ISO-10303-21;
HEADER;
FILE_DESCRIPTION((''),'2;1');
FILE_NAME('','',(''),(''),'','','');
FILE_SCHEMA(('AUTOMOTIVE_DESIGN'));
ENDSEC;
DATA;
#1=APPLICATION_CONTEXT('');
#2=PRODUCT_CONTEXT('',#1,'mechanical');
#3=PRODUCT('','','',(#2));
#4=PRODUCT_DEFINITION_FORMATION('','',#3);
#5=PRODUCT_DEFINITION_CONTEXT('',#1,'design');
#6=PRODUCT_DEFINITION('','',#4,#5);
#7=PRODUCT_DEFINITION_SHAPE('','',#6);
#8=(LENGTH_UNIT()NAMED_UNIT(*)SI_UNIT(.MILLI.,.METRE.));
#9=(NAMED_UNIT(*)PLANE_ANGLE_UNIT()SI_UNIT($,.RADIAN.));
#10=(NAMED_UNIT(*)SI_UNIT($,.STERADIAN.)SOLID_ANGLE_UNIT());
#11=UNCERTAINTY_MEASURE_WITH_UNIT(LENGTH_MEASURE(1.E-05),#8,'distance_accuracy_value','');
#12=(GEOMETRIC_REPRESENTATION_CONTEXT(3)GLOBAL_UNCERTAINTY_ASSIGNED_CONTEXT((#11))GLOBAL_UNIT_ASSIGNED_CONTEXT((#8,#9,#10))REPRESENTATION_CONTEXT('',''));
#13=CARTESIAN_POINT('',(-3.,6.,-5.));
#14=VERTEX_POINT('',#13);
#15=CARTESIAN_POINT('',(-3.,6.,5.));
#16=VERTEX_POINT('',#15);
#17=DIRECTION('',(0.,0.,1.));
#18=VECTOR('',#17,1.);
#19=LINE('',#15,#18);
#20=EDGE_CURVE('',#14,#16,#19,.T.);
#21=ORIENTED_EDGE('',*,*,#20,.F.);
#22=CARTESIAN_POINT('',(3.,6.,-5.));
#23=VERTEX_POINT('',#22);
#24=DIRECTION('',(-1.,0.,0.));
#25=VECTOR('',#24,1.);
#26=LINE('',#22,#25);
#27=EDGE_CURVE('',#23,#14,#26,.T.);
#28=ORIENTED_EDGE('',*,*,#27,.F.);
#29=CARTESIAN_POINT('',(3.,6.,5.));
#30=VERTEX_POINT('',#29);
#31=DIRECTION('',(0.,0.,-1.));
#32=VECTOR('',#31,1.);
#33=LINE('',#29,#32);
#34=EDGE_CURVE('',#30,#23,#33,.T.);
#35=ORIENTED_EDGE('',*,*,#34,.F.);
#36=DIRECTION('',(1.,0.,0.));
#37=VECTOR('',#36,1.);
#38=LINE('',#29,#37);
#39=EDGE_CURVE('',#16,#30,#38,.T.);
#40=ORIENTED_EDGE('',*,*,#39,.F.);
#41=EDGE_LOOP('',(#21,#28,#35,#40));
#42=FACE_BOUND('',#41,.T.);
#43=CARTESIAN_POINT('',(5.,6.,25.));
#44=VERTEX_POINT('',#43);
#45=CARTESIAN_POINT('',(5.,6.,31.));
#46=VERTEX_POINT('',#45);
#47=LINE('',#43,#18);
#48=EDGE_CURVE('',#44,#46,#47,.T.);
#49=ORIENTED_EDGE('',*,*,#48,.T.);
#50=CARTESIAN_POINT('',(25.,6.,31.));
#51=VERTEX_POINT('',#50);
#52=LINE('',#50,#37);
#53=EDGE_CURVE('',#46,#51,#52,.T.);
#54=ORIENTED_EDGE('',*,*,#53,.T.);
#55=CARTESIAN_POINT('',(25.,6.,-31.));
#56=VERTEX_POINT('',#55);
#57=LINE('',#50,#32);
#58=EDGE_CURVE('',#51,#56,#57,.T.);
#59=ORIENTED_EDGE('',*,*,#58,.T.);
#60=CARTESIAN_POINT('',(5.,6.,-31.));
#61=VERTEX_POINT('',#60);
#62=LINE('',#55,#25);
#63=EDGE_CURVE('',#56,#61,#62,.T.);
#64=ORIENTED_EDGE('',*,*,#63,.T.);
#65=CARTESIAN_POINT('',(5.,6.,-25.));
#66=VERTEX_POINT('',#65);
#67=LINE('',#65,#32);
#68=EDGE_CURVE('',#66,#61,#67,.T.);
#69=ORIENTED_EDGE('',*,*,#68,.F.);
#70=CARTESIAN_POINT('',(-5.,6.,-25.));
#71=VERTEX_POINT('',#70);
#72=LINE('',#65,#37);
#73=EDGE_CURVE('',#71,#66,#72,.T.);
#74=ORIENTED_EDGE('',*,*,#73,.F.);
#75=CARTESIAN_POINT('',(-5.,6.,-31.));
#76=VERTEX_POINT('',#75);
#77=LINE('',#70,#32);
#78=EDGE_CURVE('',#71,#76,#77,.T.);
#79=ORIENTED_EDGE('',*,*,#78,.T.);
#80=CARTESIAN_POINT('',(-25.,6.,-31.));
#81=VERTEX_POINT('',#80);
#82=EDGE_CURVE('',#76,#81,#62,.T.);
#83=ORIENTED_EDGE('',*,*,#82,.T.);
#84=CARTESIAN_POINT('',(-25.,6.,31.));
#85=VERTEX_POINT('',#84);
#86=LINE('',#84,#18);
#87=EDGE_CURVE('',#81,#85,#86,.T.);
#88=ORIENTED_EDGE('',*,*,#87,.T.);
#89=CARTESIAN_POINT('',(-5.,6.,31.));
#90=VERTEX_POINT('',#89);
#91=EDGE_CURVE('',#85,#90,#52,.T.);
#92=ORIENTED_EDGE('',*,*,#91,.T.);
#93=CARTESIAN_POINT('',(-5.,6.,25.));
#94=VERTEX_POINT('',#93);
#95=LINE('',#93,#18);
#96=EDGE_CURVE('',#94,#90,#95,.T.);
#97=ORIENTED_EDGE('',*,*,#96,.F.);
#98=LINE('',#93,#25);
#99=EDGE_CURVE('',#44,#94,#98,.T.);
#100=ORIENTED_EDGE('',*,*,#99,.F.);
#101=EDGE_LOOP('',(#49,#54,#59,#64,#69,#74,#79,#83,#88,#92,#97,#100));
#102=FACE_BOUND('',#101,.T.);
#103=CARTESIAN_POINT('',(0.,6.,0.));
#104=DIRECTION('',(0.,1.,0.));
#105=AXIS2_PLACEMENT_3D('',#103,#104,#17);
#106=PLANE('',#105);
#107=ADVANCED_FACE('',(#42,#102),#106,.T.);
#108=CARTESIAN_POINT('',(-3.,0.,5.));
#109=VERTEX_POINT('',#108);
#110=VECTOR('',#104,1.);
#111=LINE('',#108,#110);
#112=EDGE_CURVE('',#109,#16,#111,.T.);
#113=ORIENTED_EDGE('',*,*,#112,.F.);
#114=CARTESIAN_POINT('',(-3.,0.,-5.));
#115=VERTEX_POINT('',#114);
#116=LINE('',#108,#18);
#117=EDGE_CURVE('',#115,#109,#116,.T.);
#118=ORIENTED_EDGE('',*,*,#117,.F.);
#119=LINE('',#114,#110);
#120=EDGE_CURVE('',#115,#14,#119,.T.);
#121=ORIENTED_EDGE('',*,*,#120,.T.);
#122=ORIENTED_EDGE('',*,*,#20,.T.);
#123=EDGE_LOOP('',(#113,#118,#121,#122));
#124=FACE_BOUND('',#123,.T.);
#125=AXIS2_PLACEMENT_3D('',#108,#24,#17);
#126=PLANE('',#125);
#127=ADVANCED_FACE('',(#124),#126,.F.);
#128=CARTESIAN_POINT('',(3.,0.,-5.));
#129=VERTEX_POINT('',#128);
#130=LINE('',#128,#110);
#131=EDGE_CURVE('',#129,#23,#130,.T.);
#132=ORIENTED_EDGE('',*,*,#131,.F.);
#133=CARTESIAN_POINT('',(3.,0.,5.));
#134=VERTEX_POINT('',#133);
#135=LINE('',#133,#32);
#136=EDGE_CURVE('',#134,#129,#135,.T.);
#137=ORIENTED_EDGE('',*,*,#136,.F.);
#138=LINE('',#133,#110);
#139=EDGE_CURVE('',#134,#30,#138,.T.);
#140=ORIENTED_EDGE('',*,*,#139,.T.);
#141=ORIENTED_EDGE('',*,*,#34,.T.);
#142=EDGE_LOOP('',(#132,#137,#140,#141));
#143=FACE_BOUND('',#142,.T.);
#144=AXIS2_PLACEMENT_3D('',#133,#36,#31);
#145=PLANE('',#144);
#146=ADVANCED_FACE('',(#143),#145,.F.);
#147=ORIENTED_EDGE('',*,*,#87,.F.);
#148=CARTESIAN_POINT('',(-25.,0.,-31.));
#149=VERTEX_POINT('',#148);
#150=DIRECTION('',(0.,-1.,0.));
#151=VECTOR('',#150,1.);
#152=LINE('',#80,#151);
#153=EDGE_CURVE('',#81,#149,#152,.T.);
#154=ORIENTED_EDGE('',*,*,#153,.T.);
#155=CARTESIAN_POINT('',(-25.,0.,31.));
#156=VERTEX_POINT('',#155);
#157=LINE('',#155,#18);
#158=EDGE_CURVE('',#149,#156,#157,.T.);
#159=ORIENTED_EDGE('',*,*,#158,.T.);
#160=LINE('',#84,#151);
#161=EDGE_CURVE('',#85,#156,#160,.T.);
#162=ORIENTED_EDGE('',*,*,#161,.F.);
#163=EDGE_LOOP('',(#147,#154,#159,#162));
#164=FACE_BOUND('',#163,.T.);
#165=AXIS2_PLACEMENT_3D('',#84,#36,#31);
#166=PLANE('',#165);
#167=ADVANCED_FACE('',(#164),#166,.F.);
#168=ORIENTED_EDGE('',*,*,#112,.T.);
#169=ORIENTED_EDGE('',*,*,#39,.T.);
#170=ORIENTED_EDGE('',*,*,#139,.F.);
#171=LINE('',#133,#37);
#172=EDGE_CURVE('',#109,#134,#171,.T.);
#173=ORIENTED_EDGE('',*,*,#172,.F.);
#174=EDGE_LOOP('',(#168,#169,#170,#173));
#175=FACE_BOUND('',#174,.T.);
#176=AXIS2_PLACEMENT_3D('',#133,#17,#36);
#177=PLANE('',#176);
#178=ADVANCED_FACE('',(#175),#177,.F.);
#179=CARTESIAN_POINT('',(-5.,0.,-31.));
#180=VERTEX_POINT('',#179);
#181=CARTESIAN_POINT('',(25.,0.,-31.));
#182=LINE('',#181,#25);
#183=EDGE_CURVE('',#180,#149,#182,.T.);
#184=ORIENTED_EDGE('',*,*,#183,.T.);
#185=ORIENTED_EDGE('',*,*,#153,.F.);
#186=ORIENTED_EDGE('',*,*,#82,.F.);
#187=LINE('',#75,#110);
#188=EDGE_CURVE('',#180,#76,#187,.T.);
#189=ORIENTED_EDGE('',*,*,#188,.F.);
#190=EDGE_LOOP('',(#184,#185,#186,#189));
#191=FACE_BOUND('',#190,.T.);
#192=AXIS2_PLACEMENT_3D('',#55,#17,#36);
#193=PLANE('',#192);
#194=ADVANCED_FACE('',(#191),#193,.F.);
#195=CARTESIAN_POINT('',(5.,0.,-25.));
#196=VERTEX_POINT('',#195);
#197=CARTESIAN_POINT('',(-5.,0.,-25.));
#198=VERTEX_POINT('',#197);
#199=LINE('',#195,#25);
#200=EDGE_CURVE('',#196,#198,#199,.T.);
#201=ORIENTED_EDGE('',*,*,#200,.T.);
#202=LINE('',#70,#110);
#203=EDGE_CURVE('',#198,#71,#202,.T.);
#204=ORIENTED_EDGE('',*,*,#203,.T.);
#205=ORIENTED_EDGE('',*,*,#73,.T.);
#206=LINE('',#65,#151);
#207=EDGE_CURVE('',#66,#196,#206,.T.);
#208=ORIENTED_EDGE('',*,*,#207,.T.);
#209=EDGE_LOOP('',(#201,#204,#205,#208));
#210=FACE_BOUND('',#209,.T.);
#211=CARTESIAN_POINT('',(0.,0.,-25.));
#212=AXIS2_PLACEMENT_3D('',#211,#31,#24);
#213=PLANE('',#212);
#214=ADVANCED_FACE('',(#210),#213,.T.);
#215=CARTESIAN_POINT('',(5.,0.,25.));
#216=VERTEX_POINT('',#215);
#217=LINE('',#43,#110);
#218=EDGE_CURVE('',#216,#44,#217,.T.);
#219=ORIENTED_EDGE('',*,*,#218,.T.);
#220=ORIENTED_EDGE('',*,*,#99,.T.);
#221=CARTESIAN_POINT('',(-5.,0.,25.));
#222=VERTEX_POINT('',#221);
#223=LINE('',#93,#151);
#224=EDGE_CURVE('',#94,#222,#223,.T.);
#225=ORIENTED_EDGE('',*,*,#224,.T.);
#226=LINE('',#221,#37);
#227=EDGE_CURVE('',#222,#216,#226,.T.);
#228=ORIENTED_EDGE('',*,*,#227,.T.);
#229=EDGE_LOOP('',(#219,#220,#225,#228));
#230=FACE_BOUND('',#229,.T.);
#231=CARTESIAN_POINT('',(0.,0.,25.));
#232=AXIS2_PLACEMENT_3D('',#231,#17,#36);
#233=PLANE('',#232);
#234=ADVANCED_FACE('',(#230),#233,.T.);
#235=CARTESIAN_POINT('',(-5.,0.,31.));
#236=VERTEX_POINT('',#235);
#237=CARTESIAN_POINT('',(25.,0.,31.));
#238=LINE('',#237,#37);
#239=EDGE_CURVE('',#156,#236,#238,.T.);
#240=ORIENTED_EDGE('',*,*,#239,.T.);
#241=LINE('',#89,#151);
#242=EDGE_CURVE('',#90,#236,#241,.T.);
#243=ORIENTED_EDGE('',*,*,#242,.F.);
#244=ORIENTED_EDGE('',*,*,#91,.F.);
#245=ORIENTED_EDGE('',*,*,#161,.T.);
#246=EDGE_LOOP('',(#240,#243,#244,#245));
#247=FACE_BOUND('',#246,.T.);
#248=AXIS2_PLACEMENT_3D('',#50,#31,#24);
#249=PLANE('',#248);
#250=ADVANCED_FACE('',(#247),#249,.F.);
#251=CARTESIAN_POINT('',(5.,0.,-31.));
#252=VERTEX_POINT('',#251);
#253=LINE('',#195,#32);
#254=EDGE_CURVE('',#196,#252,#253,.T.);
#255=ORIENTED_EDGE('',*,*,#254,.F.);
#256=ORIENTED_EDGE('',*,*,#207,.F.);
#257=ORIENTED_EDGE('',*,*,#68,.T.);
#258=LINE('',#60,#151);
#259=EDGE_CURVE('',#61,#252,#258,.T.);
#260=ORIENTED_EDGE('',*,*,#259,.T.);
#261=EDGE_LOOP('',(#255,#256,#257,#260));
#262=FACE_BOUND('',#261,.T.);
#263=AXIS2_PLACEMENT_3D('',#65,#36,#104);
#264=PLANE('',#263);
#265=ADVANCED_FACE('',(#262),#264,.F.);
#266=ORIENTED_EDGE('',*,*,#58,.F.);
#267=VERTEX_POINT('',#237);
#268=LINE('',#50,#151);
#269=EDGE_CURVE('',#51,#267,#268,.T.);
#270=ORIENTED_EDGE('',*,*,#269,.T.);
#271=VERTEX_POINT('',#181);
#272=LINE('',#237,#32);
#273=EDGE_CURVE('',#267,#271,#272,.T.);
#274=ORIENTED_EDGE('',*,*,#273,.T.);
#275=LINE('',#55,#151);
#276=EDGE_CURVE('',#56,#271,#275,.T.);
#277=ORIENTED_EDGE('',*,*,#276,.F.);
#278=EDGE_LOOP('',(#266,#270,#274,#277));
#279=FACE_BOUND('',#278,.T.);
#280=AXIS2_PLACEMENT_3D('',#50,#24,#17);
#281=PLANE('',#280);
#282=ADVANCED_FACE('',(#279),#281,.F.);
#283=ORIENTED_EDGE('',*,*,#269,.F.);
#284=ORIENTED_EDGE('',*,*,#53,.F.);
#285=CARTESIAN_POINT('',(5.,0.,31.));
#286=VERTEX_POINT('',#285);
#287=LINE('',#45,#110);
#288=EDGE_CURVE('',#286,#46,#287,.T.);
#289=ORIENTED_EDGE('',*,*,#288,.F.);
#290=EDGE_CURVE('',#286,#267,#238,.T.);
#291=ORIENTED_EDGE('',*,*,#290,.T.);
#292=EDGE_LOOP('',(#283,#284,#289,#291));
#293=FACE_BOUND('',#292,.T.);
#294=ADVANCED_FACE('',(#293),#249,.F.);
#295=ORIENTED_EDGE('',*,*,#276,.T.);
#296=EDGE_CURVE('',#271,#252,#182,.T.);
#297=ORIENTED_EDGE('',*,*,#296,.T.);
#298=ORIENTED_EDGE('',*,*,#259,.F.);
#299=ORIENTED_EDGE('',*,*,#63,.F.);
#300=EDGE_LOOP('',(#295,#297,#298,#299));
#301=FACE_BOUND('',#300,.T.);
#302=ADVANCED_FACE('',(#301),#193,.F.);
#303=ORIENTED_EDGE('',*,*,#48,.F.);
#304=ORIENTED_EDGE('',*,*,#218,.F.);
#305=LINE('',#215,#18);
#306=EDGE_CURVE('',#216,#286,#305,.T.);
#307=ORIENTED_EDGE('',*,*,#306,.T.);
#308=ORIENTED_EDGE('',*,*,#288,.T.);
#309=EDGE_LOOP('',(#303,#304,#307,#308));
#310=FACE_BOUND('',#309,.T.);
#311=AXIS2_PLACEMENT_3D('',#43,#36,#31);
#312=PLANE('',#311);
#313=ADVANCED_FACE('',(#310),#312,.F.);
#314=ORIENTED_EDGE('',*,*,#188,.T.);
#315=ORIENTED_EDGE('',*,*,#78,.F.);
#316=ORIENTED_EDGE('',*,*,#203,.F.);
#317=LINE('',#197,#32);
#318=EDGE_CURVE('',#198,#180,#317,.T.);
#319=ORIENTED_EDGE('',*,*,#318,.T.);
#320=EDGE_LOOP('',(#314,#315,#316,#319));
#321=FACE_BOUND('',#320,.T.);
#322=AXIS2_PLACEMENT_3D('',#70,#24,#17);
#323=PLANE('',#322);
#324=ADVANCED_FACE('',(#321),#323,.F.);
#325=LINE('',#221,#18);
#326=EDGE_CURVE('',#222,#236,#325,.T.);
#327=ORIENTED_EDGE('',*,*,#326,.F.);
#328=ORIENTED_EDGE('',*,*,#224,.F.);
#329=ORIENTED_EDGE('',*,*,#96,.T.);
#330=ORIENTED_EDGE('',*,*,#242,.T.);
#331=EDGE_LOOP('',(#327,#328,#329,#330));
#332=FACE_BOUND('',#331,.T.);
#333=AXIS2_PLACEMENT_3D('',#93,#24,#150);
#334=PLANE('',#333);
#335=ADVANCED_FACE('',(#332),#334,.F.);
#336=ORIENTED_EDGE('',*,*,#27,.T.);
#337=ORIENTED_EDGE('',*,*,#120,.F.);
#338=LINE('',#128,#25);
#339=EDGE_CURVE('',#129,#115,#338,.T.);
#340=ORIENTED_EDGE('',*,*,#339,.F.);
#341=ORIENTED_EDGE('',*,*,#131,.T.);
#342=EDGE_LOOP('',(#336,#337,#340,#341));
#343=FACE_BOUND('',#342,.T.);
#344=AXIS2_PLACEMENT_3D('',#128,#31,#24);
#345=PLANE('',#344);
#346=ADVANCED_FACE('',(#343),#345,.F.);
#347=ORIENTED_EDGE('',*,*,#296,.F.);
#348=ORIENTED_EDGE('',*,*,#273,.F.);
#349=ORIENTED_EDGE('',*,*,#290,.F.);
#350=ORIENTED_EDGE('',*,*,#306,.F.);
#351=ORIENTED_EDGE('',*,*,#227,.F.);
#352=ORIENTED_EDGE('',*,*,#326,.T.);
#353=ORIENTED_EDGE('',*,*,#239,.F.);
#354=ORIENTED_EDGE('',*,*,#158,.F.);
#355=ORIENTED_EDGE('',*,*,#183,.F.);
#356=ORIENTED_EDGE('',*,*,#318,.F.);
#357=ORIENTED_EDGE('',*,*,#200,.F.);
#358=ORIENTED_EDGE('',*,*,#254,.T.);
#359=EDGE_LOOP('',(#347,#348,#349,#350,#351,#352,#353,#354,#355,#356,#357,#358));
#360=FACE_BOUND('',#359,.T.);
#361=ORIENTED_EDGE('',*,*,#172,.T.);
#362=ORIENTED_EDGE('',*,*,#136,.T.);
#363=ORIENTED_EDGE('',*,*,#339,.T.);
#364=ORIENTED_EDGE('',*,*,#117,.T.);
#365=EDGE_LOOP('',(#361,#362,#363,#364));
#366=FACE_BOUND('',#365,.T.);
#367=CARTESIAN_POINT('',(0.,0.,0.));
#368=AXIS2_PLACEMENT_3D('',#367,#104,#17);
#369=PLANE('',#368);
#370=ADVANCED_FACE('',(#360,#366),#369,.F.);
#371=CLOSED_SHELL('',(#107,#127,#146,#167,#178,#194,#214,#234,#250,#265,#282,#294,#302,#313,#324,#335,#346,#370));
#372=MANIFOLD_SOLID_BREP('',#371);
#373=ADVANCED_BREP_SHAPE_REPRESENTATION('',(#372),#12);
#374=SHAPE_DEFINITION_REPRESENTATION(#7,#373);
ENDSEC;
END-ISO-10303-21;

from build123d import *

# Parameters (mm, degrees)
ESBO_O1_W                = 50
ESBO_O1_H                = 62
RESSALTO_EXTRUS_O2_DEPTH = 6
ESBO_O3_W                = 10
ESBO_O3_H                = 6
CORTE_EXTRUS_O1_DEPTH    = 6
ESBO_O4_W                = 10
ESBO_O4_H                = 6
CORTE_EXTRUS_O2_DEPTH    = 6
ESBO_O5_W                = 6
ESBO_O5_H                = 10
CORTE_EXTRUS_O3_DEPTH    = 6


with BuildPart() as part:
    # Esboço1 → Ressalto-extrusão2 (new body)
    with BuildSketch(Plane(origin=(0, 0, 0), x_dir=(1, 0, 0), z_dir=(0, 1, 0))):
        Rectangle(ESBO_O1_W, ESBO_O1_H)
    extrude(amount=RESSALTO_EXTRUS_O2_DEPTH)

    # Esboço3 → Corte-extrusão1 (cut)
    with BuildSketch(Plane.XY.offset(31)):
        with Locations((0, 3)):
            Rectangle(ESBO_O3_W, ESBO_O3_H)
    extrude(amount=-CORTE_EXTRUS_O1_DEPTH, mode=Mode.SUBTRACT)

    # Esboço4 → Corte-extrusão2 (cut)
    with BuildSketch(Plane(origin=(0, 0, -31), x_dir=(-1, 0, 0), z_dir=(0, 0, -1))):
        with Locations((0, 3)):
            Rectangle(ESBO_O4_W, ESBO_O4_H)
    extrude(amount=-CORTE_EXTRUS_O2_DEPTH, mode=Mode.SUBTRACT)

    # Esboço5 → Corte-extrusão3 (cut)
    with BuildSketch(Plane(origin=(0, 6, 0), x_dir=(1, 0, 0), z_dir=(0, 1, 0))):
        Rectangle(ESBO_O5_W, ESBO_O5_H)
    extrude(amount=-CORTE_EXTRUS_O3_DEPTH, mode=Mode.SUBTRACT)


solid = part.part
